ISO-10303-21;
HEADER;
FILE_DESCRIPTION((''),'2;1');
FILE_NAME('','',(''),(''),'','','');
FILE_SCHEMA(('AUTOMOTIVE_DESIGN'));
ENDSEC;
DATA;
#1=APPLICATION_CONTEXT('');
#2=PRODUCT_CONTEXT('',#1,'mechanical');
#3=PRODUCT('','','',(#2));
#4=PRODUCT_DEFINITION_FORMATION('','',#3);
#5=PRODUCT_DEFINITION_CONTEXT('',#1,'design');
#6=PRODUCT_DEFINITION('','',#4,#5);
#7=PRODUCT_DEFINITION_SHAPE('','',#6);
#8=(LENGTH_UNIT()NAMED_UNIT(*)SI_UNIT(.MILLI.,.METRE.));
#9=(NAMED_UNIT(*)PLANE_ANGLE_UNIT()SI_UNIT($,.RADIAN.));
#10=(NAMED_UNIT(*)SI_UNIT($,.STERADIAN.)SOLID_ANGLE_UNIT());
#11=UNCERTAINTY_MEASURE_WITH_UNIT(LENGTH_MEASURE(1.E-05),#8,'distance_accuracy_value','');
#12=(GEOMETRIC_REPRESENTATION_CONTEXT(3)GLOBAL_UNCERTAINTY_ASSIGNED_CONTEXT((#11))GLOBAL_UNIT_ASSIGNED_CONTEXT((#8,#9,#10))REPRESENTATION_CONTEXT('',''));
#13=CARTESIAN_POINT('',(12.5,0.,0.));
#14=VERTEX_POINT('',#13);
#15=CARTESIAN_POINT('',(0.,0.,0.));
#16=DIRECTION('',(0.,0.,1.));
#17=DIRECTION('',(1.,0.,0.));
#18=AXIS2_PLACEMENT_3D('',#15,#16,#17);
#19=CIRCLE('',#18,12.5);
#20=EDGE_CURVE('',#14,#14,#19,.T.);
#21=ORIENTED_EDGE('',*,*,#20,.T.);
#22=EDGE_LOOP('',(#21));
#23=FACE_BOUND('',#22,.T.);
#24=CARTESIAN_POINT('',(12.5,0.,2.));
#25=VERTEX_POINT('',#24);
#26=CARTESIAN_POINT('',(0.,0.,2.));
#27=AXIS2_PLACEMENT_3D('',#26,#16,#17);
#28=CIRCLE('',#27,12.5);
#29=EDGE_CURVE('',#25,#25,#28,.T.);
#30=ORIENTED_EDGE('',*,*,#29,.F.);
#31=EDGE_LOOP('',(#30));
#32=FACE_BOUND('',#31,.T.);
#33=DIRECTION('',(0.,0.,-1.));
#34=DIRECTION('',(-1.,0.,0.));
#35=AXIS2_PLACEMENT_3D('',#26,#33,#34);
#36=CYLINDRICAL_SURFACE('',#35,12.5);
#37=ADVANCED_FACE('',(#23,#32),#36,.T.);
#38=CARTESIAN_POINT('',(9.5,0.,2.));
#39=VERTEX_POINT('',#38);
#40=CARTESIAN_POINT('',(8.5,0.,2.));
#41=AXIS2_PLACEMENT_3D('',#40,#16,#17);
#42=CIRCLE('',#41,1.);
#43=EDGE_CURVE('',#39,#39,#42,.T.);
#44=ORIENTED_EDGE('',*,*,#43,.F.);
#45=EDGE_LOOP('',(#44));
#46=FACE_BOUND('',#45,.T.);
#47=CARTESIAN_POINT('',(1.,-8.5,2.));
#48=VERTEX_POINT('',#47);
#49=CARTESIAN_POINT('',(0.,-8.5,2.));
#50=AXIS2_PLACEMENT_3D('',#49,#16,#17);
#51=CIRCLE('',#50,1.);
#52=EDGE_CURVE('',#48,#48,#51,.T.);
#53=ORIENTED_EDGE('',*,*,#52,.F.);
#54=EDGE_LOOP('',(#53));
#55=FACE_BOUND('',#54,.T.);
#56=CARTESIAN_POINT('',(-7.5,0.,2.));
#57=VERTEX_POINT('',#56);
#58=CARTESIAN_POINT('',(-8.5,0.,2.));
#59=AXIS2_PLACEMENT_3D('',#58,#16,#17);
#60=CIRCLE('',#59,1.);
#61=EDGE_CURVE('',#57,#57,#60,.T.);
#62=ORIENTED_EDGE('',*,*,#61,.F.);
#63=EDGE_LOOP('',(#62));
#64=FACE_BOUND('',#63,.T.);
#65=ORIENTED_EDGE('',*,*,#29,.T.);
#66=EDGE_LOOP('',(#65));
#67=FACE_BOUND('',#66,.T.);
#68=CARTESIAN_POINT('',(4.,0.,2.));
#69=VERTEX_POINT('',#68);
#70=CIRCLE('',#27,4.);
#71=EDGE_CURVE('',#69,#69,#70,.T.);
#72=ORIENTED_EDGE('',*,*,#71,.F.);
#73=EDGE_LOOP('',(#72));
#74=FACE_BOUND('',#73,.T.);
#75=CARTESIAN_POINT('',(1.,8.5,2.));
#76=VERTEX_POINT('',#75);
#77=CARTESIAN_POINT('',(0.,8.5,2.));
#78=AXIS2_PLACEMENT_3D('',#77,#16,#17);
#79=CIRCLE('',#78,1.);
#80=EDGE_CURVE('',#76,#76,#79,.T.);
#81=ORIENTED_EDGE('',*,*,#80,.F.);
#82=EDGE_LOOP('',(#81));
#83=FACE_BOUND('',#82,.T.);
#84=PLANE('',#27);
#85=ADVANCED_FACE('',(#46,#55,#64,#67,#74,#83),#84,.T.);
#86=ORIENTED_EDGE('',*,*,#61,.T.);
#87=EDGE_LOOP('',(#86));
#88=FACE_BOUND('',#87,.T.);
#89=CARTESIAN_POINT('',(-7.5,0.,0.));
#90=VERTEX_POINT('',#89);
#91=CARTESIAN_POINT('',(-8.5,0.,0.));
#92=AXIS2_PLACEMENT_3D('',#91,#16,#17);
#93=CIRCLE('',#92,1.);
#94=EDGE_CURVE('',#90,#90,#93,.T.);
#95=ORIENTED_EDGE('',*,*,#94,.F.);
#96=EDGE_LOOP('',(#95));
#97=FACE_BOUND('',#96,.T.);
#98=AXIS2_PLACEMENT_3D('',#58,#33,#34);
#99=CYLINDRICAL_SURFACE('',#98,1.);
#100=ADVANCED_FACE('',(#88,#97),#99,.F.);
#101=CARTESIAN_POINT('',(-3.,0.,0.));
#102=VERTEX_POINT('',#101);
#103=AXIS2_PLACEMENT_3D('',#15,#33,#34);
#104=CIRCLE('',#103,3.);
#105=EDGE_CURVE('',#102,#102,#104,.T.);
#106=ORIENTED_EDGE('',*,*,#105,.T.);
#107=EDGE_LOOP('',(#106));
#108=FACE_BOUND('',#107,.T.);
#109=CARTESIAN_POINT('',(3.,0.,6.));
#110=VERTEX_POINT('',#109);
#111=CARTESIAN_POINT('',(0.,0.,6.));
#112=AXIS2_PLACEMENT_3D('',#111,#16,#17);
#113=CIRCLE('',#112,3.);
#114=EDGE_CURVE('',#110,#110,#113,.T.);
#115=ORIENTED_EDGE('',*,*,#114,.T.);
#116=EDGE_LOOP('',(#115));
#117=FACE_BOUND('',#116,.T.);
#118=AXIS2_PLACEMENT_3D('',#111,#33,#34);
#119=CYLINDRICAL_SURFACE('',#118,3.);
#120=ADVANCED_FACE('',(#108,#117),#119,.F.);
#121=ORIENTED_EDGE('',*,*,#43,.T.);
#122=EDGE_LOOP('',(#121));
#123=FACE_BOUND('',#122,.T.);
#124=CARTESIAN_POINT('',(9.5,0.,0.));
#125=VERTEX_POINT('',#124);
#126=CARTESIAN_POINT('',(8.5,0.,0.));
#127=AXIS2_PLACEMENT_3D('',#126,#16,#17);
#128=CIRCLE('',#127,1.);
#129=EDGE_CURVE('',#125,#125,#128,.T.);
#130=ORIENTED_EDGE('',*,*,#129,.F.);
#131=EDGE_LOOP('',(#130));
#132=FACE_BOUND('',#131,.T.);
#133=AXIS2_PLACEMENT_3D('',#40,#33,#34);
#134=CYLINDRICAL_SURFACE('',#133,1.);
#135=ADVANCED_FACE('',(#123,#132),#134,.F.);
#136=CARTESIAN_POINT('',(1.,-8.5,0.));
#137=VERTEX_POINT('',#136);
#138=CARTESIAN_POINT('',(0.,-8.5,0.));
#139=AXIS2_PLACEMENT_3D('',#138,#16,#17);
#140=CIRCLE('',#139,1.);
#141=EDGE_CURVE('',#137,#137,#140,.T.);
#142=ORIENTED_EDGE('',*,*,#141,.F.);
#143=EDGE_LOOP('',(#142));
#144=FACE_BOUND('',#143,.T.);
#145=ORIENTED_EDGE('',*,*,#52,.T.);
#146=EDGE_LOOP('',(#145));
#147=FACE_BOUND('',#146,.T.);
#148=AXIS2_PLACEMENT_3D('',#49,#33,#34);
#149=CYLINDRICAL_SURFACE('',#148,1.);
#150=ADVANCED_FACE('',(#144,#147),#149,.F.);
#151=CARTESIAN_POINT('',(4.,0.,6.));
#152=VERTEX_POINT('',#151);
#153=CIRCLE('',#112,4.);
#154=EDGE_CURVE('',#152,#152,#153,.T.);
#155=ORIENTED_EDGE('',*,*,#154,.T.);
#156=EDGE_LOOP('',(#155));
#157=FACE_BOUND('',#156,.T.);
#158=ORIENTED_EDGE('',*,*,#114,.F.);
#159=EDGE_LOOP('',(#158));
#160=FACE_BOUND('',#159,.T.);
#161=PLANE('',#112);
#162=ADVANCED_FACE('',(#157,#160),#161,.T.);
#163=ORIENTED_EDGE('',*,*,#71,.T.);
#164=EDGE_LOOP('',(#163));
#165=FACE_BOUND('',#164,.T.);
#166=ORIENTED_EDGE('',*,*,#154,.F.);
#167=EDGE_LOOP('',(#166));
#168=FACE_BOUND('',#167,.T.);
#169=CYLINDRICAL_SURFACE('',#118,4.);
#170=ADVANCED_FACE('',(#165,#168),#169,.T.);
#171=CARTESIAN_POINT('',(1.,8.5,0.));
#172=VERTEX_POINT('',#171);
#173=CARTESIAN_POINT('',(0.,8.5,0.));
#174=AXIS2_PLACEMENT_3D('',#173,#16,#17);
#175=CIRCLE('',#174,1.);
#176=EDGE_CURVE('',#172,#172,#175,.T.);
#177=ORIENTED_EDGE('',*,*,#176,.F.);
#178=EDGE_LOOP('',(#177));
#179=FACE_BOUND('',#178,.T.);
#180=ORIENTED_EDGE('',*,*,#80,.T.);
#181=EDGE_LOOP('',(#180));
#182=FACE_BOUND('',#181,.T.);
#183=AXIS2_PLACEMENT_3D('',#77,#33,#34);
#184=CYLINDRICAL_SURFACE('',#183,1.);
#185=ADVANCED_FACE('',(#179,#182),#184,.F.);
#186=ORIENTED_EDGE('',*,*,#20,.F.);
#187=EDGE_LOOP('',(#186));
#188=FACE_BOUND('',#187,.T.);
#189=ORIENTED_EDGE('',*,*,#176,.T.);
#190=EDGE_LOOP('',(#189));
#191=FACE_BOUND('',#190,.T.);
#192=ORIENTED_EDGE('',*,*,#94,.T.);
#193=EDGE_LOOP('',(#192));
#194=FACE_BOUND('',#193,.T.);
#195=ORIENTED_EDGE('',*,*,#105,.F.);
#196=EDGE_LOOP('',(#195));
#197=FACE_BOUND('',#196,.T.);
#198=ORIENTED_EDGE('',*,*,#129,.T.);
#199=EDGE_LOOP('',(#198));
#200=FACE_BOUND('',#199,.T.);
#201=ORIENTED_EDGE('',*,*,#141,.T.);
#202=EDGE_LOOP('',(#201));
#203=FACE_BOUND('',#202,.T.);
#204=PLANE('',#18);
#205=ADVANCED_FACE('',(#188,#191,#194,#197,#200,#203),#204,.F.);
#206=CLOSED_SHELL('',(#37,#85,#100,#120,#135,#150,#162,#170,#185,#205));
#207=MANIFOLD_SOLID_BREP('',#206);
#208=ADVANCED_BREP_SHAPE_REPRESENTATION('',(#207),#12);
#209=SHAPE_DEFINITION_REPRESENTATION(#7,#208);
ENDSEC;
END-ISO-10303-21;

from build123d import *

# Parameters (mm, degrees)
SKETCH1_R           = 12.5
SKETCH1_R_2         = 1
BOSS_EXTRUDE1_DEPTH = 2
SKETCH2_R           = 4
SKETCH2_R_2         = 3
BOSS_EXTRUDE2_DEPTH = 4
SKETCH3_R           = 3
CUT_EXTRUDE1_DEPTH  = 19.668154703


with BuildPart() as part:
    # Sketch1 → Boss-Extrude1 (new body)
    with BuildSketch(Plane.XY):
        Circle(SKETCH1_R)
        with Locations((-8.5, 0)):
            Circle(SKETCH1_R_2, mode=Mode.SUBTRACT)
        with Locations((0, 8.5)):
            Circle(SKETCH1_R_2, mode=Mode.SUBTRACT)
        with Locations((8.5, 0)):
            Circle(SKETCH1_R_2, mode=Mode.SUBTRACT)
        with Locations((0, -8.5)):
            Circle(SKETCH1_R_2, mode=Mode.SUBTRACT)
    extrude(amount=BOSS_EXTRUDE1_DEPTH)

    # Sketch2 → Boss-Extrude2 (add)
    with BuildSketch(Plane.XY.offset(2)):
        Circle(SKETCH2_R)
        Circle(SKETCH2_R_2, mode=Mode.SUBTRACT)
    extrude(amount=BOSS_EXTRUDE2_DEPTH)

    # Sketch3 → Cut-Extrude1 (cut, through all)
    with BuildSketch(Plane(origin=(0, 0, 0), x_dir=(-1, 0, 0), z_dir=(0, 0, -1))):
        Circle(SKETCH3_R)
    extrude(amount=-CUT_EXTRUDE1_DEPTH, mode=Mode.SUBTRACT)


solid = part.part
